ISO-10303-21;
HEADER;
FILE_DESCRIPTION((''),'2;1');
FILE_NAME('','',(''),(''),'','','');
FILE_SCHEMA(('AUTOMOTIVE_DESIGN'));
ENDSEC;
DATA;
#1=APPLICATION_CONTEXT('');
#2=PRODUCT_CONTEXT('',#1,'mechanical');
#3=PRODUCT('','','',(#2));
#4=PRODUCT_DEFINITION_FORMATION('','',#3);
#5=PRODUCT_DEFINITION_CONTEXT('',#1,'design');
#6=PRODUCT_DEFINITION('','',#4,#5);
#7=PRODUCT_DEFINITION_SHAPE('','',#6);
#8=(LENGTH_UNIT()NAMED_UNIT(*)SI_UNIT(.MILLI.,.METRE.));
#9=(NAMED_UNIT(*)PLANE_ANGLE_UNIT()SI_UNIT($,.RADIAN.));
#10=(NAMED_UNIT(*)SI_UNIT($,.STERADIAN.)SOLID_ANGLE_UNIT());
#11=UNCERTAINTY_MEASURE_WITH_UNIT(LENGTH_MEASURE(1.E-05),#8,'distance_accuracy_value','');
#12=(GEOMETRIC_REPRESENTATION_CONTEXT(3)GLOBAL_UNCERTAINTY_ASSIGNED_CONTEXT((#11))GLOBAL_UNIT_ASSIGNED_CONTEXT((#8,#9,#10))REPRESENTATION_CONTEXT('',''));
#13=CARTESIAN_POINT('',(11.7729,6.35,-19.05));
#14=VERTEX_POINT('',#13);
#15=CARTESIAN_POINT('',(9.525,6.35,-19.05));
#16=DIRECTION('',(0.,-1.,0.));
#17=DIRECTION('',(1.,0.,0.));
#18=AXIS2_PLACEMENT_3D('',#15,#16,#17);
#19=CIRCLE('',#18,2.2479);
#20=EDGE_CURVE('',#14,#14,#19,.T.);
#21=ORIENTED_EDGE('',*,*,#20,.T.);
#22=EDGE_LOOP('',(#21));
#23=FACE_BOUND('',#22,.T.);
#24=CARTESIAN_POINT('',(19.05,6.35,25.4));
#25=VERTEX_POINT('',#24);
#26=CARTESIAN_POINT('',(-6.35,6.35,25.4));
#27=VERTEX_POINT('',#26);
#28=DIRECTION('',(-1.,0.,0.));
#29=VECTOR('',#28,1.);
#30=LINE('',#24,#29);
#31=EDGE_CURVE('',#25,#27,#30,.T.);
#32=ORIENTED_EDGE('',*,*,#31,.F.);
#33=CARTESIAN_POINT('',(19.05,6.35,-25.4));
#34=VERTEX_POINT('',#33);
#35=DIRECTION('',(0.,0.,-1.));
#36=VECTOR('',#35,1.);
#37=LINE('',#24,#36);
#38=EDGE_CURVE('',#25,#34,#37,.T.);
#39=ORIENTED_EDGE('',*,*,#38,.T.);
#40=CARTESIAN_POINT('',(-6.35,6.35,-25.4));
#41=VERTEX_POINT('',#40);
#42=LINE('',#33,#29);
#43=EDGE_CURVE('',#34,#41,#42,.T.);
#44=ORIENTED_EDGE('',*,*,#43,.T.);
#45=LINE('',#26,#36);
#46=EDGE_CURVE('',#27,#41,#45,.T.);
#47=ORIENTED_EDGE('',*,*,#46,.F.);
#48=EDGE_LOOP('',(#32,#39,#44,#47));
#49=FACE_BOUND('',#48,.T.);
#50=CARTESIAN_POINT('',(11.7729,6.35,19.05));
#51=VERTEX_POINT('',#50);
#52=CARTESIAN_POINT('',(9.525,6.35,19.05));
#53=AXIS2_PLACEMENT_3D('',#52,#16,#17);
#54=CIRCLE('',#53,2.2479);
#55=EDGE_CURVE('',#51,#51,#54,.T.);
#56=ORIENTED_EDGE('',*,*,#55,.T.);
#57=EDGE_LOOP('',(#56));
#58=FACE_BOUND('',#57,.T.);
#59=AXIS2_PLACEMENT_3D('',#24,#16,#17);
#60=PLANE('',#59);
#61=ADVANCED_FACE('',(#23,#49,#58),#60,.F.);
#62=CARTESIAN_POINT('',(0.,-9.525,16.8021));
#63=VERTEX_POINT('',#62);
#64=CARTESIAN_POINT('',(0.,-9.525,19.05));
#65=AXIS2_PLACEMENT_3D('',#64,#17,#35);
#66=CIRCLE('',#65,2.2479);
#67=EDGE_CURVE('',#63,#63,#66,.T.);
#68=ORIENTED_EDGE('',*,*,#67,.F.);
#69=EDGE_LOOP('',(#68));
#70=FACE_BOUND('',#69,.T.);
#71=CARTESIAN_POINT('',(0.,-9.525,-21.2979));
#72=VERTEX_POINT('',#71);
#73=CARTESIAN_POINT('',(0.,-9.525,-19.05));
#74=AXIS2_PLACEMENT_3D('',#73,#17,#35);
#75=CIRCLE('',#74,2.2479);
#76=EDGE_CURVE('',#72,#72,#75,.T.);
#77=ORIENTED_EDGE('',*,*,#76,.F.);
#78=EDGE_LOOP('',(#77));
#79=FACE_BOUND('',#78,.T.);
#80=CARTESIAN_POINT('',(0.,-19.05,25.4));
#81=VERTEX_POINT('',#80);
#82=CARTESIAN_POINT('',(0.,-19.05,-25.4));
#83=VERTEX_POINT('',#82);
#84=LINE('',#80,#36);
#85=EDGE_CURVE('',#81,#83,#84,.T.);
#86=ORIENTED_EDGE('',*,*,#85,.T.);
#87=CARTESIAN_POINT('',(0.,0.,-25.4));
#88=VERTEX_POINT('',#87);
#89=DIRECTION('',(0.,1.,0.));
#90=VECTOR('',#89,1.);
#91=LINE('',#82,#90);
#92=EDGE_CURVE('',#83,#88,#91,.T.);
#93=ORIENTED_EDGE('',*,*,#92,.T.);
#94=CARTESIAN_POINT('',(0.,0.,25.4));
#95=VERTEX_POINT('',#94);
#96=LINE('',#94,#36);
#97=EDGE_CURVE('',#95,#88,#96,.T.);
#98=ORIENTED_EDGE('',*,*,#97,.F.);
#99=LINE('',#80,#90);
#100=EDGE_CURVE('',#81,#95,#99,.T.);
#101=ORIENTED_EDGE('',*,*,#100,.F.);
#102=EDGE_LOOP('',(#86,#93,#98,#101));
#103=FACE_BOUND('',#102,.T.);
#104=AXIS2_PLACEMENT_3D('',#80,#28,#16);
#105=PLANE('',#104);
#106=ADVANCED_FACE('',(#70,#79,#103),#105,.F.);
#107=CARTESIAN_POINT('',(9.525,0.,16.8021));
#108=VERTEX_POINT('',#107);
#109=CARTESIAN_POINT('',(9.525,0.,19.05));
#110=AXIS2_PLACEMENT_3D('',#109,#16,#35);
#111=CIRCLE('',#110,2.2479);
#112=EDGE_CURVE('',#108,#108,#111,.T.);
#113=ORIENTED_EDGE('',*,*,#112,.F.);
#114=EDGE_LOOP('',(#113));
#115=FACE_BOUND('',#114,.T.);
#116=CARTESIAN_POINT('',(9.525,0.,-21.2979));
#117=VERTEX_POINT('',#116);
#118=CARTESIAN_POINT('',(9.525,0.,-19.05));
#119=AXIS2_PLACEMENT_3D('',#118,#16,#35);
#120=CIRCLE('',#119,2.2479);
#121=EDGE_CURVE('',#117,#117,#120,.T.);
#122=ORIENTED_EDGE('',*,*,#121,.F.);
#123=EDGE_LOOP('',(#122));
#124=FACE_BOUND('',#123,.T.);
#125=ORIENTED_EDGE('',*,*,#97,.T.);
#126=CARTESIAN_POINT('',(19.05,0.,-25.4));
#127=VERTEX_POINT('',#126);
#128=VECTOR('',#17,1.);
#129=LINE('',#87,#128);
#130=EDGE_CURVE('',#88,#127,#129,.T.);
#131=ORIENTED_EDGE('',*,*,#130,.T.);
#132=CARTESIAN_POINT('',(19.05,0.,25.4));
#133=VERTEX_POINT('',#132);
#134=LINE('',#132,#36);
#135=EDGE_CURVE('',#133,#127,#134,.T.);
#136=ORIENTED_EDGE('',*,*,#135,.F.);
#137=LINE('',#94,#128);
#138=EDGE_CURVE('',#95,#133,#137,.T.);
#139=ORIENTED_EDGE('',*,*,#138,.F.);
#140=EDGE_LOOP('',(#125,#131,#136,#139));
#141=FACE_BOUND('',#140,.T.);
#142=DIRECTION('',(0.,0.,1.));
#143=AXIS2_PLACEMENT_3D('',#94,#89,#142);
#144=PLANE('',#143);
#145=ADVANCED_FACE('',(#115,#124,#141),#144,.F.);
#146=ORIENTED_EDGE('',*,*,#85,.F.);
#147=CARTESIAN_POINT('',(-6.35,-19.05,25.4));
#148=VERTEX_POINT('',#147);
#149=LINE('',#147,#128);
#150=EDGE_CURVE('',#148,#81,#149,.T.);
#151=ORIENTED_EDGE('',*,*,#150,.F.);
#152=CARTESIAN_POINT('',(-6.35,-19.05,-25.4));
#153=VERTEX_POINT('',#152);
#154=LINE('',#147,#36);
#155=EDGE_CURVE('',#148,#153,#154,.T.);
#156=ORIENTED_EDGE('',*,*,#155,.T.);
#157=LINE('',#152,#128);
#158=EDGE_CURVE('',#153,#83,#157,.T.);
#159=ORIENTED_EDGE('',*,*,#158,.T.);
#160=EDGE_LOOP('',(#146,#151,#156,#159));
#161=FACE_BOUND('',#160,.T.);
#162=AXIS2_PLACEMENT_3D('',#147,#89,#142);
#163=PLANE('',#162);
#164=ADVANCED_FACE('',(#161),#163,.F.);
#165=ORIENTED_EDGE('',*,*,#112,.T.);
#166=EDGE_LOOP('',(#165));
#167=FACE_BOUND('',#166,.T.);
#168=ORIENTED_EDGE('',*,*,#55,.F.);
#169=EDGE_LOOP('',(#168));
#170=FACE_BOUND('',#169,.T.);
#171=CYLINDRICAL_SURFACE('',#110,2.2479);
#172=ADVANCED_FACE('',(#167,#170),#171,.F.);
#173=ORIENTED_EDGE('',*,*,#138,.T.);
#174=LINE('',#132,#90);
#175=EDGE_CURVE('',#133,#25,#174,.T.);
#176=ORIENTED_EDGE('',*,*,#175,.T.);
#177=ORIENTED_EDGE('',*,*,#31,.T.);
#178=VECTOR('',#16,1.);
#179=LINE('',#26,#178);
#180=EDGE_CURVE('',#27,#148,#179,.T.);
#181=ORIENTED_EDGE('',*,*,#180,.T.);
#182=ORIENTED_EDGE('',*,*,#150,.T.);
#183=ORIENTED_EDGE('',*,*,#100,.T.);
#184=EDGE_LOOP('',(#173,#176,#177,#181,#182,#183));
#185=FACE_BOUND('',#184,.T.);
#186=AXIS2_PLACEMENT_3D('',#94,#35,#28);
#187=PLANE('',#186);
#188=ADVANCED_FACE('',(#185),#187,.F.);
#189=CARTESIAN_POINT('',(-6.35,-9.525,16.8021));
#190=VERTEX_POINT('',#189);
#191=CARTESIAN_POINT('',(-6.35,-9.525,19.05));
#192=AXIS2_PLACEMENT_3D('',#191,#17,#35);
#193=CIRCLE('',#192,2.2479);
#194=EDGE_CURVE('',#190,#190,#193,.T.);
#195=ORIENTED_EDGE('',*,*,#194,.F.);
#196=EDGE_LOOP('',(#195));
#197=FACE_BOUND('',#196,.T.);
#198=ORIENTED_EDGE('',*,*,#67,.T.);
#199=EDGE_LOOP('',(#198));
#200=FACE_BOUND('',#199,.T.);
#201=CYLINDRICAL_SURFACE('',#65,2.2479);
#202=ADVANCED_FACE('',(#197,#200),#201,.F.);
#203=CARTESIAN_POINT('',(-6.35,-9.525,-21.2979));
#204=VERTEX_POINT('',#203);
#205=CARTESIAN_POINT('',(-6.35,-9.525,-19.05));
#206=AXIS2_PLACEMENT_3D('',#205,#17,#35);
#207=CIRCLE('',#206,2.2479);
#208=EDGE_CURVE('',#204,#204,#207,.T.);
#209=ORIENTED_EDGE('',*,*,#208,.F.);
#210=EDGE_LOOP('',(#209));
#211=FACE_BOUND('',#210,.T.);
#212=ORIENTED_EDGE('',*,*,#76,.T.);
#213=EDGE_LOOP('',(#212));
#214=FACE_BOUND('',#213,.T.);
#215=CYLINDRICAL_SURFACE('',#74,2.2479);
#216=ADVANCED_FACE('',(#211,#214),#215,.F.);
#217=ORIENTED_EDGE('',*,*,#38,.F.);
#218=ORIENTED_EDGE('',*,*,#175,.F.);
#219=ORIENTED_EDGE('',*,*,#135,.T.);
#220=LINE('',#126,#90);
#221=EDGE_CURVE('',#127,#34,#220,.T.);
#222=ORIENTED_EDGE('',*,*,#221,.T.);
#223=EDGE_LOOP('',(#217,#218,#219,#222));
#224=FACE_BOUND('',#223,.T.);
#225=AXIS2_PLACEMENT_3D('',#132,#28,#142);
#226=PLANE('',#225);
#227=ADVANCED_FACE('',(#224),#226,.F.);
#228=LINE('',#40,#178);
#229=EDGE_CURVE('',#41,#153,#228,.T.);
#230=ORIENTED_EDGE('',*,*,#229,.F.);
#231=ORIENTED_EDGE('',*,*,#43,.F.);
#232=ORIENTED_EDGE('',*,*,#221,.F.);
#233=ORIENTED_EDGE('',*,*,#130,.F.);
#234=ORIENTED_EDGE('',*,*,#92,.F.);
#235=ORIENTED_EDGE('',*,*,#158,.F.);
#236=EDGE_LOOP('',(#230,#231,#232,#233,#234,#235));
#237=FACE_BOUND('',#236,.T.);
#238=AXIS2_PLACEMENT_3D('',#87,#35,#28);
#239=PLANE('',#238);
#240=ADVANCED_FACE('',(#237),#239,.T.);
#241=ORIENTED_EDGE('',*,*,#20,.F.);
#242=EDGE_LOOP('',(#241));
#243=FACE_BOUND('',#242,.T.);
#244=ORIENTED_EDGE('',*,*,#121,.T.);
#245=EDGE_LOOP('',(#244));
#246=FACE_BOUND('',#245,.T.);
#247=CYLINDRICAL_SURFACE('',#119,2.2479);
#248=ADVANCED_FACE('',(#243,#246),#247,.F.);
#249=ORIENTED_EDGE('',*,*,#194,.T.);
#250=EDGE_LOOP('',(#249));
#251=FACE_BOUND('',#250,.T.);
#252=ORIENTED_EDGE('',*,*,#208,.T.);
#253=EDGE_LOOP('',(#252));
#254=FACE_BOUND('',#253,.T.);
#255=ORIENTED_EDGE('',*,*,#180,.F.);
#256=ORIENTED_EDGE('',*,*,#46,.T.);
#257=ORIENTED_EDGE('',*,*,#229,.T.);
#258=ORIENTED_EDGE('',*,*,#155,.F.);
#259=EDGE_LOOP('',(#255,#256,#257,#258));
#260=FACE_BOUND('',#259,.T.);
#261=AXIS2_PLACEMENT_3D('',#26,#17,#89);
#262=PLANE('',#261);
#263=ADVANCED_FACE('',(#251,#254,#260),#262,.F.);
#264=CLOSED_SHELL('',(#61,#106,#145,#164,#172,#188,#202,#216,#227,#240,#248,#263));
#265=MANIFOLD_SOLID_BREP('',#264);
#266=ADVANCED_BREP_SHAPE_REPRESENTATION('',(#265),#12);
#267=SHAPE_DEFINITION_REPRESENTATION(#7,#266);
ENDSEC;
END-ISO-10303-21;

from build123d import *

# Parameters (mm, degrees)
BOSS_EXTRUDE1_DEPTH       = 25.4
F_8_CLEARANCE_HOLE1_D     = 4.4958
F_8_CLEARANCE_HOLE2_D     = 4.4958
F_8_CLEARANCE_HOLE2_DEPTH = 6.35
F_8_CLEARANCE_HOLE2_TIP   = 1.350674586


with BuildPart() as part:
    # Sketch1 → Boss-Extrude1 (new, symmetric)
    with BuildSketch(Plane.XY):
        Polygon((0, 0), (19.05, 0), (19.05, 6.35), (-6.35, 6.35), (-6.35, -19.05), (0, -19.05), align=None)
    extrude(amount=BOSS_EXTRUDE1_DEPTH, both=True)

    # #8 Clearance Hole1 (through all)
    with Locations(Plane(origin=(0, 0, 0), x_dir=(-1, 0, 0), z_dir=(0, -1, 0))):
        with Locations((-9.525, -19.05), (-9.525, 19.05)):
            Hole(F_8_CLEARANCE_HOLE1_D / 2)

    # #8 Clearance Hole2
    with Locations(Plane(origin=(0, 0, 0), x_dir=(0, 0, -1), z_dir=(1, 0, 0))):
        with Locations((19.05, -9.525), (-19.05, -9.525)):
            Hole(F_8_CLEARANCE_HOLE2_D / 2, depth=F_8_CLEARANCE_HOLE2_DEPTH)
            with Locations((0, 0, -(F_8_CLEARANCE_HOLE2_DEPTH + F_8_CLEARANCE_HOLE2_TIP / 2))):  # 118° drill point
                Cone(0, F_8_CLEARANCE_HOLE2_D / 2, F_8_CLEARANCE_HOLE2_TIP, mode=Mode.SUBTRACT)


solid = part.part
